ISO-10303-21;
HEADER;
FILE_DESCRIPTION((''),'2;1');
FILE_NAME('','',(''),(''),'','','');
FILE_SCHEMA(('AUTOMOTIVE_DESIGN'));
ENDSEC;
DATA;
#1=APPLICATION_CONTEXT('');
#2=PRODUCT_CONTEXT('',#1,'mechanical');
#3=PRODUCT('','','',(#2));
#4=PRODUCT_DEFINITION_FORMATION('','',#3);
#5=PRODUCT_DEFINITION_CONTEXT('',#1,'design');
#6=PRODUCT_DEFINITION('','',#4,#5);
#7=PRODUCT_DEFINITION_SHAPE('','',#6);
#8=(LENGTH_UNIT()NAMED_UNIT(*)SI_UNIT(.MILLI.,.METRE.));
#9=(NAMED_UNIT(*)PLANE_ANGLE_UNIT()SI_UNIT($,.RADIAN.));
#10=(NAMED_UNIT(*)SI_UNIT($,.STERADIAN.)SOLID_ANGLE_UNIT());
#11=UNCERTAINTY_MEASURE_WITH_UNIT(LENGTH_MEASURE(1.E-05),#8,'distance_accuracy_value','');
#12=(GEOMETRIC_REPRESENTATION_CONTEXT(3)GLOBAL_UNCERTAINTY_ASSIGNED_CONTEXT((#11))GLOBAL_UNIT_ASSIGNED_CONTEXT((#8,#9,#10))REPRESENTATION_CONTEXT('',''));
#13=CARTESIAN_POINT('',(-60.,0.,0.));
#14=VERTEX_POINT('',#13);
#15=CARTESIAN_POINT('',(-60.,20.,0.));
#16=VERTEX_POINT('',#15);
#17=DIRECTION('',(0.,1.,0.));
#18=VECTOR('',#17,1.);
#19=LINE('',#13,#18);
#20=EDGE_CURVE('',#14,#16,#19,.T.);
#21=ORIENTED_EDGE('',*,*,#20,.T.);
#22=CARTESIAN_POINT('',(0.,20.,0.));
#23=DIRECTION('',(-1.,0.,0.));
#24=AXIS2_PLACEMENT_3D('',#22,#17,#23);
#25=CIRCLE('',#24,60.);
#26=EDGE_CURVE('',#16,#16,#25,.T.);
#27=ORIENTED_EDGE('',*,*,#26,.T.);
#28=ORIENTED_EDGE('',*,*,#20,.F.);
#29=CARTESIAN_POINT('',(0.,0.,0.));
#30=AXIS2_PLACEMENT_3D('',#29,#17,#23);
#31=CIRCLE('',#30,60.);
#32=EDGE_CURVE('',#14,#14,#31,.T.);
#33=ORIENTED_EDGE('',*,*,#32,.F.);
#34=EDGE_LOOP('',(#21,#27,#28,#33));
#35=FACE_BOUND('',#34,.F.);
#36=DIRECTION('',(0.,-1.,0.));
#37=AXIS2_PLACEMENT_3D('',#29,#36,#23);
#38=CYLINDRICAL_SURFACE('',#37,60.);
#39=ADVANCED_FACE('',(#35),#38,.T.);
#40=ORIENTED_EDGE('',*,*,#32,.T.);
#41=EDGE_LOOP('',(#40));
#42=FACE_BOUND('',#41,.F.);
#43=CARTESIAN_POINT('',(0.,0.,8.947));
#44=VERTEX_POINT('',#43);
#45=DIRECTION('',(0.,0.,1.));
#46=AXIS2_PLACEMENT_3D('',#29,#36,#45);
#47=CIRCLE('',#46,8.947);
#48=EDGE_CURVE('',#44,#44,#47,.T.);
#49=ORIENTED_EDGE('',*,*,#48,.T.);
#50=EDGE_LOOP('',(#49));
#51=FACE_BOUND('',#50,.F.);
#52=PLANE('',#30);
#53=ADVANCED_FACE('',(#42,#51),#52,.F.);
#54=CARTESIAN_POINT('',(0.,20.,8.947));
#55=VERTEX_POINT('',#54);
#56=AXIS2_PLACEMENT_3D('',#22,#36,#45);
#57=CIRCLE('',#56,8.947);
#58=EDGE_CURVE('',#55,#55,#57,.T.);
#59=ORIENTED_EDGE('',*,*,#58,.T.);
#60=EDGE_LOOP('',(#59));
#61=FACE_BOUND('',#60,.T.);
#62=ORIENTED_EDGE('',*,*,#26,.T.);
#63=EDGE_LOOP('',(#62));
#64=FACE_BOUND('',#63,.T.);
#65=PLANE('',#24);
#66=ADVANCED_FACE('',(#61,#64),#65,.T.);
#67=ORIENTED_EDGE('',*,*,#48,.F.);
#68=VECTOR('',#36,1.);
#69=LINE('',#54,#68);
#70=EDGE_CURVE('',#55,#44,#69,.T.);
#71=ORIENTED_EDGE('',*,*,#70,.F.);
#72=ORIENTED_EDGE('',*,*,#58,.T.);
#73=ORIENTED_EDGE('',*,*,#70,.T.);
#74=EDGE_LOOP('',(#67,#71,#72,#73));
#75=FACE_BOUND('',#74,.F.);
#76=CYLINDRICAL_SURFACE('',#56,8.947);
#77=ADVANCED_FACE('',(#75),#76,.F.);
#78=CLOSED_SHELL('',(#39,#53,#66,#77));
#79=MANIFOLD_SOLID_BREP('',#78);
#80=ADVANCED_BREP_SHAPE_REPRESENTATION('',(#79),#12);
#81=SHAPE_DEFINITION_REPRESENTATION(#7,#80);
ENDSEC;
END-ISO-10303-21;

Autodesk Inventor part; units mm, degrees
ref_plane "YZ Plane" through (0, 0, 0) normal (1, 0, 0) x (0, 1, 0)
ref_plane "XZ Plane" through (0, 0, 0) normal (0, 1, 0) x (-1, 0, 0)
ref_plane "XY Plane" through (0, 0, 0) normal (0, 0, 1) x (1, 0, 0)
sketch "Sketch1" plane through (0, 0, 0) normal (0, 0, 1) x (1, 0, 0)
  point P0 (0, 0)
sketch "Sketch2" plane through (0, 0, 0) normal (0, 1, 0) x (-1, 0, 0)
  circle A0 centre (0, 0) radius 60
  dimension "d0" = 120
extrude "Extrusion1" add sketch "Sketch2" along normal blind 20
sketch "Sketch3" plane through (0, 20, 0) normal (0, 1, 0) x (1, 0, 0)
  point P0 (0, 0)
hole "Hole1" at (0, 20, 0) direction (0, -1, 0) diameter 17.894 depth 53.975 tip angle 118 thread size "13/16-10 UNC" class "2B" standard "ANSI Unified Screw Threads"
properties part number "wheel"
